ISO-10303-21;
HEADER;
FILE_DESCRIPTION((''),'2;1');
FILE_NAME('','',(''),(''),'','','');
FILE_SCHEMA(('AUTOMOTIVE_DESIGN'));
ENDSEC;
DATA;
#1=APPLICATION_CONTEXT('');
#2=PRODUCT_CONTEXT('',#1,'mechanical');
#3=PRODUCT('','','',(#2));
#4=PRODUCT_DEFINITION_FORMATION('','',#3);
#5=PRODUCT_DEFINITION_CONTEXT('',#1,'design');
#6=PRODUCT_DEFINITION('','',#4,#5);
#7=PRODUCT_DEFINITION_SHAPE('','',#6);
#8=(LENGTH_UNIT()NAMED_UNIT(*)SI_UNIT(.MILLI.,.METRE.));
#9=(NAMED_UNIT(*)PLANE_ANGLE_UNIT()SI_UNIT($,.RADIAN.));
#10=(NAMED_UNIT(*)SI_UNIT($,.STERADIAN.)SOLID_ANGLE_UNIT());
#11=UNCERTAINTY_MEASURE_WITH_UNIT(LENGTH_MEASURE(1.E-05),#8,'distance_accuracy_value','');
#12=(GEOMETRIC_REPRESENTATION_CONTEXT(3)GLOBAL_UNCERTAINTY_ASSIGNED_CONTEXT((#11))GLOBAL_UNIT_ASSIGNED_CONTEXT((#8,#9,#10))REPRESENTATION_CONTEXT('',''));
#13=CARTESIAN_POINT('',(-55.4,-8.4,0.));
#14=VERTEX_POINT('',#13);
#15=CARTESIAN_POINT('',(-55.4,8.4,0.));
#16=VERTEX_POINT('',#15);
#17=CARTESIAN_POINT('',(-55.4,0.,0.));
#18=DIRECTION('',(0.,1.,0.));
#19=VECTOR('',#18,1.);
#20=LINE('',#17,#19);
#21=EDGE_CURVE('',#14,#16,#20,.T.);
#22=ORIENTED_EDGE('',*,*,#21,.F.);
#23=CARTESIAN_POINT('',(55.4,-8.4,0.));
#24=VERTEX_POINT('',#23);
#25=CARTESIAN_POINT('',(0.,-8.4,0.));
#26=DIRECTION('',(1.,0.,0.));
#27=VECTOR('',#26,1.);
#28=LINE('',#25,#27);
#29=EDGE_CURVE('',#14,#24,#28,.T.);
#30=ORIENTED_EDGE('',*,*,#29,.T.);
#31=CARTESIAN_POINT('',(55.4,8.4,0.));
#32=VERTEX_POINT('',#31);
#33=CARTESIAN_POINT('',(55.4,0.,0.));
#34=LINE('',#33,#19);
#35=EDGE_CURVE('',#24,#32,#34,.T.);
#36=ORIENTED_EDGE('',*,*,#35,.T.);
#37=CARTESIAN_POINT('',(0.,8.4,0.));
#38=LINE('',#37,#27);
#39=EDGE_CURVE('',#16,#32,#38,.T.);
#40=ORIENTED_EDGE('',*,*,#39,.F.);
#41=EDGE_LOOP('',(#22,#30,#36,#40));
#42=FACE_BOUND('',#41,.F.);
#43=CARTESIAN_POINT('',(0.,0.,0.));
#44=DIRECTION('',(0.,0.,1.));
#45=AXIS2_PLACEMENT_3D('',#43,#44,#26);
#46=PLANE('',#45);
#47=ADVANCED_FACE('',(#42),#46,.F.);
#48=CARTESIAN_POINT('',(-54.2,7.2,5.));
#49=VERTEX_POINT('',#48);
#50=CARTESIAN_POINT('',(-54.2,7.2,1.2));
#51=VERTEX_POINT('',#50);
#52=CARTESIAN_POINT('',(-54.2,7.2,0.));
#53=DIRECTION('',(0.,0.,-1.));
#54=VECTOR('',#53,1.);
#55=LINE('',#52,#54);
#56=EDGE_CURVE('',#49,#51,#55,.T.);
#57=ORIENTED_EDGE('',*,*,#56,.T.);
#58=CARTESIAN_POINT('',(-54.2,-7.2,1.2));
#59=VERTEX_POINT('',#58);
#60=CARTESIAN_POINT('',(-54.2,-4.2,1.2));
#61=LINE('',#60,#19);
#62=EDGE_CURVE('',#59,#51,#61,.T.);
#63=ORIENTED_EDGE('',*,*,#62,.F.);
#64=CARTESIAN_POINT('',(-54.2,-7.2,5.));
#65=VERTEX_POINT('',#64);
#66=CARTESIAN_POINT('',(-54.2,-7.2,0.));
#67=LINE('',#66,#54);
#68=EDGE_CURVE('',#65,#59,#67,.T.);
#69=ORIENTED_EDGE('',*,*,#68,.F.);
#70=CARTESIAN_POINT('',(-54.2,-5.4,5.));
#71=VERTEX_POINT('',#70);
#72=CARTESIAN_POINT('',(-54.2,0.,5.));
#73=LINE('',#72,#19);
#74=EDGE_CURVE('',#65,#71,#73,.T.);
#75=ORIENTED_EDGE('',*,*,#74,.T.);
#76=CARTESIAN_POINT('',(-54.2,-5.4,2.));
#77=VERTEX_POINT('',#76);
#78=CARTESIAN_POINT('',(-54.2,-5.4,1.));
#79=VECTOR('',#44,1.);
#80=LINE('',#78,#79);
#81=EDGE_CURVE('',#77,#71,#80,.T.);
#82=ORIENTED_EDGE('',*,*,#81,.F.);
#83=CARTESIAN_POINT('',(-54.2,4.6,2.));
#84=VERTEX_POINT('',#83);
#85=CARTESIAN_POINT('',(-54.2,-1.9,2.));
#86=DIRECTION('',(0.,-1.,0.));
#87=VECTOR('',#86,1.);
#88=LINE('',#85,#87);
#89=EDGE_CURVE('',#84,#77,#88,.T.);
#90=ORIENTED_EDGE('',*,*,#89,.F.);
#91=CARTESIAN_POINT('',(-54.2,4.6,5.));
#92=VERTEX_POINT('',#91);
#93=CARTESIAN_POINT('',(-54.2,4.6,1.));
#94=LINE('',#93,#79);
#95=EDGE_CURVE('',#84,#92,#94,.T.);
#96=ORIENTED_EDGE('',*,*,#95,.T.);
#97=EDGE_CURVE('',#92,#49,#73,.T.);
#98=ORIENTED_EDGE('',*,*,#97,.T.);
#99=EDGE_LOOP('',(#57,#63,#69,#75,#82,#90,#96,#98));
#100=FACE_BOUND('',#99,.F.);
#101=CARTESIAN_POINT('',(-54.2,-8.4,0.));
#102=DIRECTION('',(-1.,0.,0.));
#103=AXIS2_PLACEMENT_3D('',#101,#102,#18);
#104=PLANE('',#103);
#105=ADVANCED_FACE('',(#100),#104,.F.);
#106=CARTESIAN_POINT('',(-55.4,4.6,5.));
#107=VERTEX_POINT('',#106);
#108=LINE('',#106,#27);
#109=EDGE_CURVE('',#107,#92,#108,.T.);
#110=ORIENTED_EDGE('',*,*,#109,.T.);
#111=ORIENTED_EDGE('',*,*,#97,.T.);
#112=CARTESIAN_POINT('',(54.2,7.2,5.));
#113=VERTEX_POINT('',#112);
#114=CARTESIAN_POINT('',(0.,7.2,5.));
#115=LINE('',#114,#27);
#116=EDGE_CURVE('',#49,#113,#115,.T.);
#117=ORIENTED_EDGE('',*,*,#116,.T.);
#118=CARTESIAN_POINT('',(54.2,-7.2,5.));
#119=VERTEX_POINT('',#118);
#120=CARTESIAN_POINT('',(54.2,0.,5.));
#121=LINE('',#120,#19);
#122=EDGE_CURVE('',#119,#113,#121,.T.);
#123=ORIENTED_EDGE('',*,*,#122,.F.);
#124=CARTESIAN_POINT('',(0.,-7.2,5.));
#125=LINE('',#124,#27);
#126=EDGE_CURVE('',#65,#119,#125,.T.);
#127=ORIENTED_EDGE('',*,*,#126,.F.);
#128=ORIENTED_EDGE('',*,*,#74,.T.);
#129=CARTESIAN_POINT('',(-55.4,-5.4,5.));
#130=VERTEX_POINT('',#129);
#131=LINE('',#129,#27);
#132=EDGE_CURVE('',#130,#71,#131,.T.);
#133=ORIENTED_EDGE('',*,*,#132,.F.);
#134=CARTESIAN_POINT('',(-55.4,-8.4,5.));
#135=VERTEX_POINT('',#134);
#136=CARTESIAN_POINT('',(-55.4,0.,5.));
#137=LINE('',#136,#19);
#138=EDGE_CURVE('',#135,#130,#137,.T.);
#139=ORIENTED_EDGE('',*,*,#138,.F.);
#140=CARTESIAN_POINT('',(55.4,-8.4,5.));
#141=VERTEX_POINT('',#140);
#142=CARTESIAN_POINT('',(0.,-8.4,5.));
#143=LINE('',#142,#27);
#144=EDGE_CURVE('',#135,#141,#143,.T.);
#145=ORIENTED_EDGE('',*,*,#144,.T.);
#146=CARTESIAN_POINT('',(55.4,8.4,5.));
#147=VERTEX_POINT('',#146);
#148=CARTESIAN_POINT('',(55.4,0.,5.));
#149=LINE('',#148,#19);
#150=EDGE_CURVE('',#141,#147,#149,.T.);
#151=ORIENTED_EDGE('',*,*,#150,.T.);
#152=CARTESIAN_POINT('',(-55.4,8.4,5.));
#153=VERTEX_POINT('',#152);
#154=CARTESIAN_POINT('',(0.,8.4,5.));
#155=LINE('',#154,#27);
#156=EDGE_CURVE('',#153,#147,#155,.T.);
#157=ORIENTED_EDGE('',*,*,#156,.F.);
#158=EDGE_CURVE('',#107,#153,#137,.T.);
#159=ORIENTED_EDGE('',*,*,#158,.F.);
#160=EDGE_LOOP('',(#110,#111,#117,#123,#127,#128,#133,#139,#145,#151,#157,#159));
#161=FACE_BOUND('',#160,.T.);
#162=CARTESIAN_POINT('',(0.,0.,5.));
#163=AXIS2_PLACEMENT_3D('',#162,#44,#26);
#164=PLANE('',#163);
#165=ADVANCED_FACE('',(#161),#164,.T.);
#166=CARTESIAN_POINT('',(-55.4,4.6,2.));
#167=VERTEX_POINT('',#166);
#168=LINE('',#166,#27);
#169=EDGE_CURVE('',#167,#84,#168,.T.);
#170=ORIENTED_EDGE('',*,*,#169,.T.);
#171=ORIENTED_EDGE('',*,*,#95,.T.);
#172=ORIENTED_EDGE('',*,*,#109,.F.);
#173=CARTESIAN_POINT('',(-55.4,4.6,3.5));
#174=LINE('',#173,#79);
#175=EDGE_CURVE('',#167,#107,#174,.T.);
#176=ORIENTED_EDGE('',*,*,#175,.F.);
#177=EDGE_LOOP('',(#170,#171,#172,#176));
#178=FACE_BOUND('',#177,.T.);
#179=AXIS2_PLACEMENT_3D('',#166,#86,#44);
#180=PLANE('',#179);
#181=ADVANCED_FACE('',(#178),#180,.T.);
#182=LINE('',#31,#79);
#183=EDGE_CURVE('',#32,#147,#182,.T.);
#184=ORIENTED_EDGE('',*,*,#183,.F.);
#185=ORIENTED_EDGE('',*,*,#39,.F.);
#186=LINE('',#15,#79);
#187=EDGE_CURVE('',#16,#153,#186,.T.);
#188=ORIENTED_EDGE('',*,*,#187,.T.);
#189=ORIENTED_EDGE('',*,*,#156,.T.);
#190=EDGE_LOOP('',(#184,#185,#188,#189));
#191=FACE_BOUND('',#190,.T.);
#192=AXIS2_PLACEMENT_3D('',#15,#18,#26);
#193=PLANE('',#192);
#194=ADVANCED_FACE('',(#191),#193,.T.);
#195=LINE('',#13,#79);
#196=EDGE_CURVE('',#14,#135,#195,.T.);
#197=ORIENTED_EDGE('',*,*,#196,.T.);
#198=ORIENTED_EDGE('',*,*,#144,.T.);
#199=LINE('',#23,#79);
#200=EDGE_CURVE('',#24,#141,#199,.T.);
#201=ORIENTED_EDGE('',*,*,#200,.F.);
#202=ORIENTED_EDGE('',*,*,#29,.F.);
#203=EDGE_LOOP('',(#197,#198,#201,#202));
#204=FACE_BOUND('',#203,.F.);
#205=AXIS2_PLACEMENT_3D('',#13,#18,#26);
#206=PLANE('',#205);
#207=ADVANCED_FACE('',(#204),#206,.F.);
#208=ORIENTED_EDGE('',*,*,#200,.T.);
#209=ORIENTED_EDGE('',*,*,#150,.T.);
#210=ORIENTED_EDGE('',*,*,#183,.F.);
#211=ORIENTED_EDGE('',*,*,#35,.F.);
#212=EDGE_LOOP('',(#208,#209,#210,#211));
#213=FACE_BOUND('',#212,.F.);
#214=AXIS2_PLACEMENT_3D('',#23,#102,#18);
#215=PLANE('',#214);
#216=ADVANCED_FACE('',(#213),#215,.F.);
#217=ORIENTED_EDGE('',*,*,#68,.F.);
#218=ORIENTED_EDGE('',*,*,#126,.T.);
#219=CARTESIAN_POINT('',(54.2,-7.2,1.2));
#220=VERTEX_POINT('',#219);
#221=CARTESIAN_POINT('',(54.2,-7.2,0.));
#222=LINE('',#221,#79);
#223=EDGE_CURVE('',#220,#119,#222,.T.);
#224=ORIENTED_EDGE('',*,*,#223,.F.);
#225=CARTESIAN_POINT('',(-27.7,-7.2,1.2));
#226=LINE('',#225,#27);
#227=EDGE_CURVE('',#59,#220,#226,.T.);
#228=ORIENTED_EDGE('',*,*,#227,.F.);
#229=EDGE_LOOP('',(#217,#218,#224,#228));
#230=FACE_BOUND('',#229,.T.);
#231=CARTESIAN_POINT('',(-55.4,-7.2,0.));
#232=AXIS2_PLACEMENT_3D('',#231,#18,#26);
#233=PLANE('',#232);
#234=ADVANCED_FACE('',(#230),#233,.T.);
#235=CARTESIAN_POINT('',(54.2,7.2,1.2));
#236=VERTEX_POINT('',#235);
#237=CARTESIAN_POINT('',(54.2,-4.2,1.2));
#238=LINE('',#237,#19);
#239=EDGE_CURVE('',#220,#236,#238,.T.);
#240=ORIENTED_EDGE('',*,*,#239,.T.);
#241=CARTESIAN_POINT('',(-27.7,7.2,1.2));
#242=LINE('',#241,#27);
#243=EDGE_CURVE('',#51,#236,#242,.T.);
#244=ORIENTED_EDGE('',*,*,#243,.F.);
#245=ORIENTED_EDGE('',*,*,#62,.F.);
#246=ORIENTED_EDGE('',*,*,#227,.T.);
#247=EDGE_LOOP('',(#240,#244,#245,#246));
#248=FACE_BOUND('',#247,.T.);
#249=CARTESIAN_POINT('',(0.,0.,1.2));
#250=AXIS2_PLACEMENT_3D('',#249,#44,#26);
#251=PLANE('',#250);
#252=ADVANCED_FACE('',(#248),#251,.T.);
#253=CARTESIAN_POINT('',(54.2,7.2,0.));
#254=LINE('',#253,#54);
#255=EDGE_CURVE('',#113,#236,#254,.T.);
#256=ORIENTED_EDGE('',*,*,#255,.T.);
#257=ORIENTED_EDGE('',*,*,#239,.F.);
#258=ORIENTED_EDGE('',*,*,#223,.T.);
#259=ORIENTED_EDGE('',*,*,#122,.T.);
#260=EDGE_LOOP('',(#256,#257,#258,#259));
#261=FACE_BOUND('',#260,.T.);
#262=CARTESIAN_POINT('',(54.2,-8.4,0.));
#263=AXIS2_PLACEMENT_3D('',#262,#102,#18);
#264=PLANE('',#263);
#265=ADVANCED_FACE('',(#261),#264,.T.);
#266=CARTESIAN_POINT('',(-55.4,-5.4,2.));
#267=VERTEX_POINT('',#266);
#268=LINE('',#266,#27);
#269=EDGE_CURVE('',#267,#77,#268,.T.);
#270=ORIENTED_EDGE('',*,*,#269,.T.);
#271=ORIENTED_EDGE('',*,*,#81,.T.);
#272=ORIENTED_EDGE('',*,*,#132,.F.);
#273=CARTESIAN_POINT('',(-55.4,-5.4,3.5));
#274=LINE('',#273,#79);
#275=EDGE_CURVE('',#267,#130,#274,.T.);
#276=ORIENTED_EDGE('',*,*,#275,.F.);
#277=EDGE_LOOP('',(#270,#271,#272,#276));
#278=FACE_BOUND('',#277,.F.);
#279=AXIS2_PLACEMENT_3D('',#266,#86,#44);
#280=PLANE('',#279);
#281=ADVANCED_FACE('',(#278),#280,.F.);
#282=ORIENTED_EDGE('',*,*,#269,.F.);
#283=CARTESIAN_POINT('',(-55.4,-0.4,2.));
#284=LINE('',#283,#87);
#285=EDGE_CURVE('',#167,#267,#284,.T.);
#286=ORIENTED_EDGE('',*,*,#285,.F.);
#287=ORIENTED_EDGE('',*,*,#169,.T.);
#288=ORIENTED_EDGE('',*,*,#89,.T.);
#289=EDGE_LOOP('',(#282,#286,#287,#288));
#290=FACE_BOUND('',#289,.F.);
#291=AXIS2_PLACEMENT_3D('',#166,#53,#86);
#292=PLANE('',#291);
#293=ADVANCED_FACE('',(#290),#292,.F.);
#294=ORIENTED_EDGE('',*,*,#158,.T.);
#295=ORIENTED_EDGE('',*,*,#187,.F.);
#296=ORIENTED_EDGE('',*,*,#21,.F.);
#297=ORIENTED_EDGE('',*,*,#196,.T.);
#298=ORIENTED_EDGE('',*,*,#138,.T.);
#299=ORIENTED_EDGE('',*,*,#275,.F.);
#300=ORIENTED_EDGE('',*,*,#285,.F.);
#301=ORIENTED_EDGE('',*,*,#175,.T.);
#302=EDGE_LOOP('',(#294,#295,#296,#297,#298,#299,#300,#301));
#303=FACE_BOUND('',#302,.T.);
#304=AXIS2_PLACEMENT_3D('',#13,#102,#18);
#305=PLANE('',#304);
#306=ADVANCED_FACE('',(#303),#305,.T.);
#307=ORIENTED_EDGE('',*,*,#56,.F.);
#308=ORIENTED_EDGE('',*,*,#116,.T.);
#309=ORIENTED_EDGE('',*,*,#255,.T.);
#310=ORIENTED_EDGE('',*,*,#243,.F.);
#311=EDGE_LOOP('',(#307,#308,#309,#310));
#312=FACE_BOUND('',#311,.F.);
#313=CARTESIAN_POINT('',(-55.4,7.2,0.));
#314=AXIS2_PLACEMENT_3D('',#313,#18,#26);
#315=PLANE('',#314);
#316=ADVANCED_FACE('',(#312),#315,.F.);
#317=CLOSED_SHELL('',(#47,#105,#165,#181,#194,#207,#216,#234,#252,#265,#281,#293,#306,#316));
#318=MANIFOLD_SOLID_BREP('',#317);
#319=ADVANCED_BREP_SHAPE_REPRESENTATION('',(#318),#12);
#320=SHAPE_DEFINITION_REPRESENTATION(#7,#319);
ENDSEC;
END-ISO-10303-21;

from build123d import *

# Parameters (mm, degrees)
F0_W     = 110.8
F0_H     = 16.8
F0_W_2   = 110
F0_H_2   = 16
F1_DEPTH = 5
F2_T     = -1.2
F4_W     = 10
F4_H     = 3
F5_DEPTH = 2


with BuildPart() as f1:
    # F0 (on Top) → F1 (new body)
    with BuildSketch(Plane.XY):
        Rectangle(F0_W, F0_H)
        Rectangle(F0_W_2, F0_H_2, mode=Mode.SUBTRACT)
        Rectangle(F0_W_2, F0_H_2)
    extrude(amount=F1_DEPTH)

    # F2
    f2_openings = [f1.faces().sort_by_distance(p)[0] for p in [
        (0, 0, 5),
    ]]
    offset(amount=F2_T, openings=f2_openings)

    # F4 (on offset) → F5 (cut)
    with BuildSketch(Plane(origin=(-55.4, 0, 0), x_dir=(0, -1, 0), z_dir=(-1, 0, 0))):
        with Locations((0.4, 3.5)):
            Rectangle(F4_W, F4_H)
    extrude(amount=-F5_DEPTH, mode=Mode.SUBTRACT)


solid = f1.part
